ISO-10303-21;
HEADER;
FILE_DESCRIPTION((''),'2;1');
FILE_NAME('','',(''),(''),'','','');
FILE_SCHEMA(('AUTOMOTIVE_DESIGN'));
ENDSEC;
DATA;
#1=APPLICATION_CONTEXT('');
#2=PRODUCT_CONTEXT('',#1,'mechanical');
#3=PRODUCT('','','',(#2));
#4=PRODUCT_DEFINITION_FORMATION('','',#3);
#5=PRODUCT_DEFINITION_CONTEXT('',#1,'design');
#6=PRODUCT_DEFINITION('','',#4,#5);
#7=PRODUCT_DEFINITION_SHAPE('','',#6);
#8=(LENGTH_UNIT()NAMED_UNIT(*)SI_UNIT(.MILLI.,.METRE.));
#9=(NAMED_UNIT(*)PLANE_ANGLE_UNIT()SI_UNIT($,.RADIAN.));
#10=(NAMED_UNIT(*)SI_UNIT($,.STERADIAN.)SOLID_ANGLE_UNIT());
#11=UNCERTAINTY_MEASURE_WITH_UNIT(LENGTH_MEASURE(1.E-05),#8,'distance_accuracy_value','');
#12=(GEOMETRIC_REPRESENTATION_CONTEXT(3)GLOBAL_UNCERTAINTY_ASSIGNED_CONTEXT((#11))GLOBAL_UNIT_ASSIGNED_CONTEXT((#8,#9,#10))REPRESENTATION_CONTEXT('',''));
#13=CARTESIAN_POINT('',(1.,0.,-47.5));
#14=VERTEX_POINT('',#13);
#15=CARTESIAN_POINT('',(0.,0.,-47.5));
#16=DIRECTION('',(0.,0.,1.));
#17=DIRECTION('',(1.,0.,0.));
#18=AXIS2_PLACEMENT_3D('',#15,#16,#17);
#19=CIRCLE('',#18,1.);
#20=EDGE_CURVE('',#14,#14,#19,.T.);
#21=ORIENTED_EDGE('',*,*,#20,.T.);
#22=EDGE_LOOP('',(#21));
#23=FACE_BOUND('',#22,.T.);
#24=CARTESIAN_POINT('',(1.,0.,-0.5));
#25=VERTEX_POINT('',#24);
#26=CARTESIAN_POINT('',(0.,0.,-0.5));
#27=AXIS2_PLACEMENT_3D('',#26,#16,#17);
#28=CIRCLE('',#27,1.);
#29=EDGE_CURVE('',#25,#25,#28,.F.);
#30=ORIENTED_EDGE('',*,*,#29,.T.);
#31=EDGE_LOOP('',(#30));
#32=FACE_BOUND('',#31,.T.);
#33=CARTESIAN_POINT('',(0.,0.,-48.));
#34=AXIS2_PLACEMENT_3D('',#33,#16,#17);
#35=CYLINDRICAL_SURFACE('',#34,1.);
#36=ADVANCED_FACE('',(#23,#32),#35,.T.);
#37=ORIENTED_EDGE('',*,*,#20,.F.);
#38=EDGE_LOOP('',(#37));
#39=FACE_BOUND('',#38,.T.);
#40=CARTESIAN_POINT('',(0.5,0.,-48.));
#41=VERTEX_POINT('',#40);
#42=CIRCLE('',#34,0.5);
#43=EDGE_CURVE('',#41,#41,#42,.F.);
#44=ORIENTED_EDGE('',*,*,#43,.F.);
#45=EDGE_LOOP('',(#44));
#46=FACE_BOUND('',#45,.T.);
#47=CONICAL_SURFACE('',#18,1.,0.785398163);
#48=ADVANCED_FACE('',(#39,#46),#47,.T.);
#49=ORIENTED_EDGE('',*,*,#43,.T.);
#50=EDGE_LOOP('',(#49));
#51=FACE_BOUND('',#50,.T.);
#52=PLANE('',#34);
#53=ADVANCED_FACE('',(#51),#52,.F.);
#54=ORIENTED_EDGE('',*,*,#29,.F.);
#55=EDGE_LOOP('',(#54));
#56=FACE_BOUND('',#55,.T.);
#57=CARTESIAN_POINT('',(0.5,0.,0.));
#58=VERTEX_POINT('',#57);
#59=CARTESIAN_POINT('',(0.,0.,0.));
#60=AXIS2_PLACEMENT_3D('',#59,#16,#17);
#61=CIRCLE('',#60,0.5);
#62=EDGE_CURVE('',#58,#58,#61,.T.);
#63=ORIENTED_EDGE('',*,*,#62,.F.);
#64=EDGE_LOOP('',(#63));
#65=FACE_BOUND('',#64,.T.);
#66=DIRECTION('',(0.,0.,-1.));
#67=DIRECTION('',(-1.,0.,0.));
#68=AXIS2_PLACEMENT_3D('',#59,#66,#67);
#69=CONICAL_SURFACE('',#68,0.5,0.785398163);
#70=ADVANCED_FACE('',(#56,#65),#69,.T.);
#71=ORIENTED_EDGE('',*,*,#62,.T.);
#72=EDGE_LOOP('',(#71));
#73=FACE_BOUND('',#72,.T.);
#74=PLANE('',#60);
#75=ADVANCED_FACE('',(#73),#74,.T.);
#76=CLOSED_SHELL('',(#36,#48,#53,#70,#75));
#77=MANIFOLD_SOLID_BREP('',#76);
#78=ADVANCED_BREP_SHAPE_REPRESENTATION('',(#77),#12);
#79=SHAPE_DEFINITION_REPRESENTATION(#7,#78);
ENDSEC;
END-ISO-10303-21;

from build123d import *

# Parameters (mm, degrees)
SKETCH1_R           = 1
BOSS_EXTRUDE1_DEPTH = 48
CHAMFER1_SIZE       = 0.5


with BuildPart() as part:
    # Sketch1 → Boss-Extrude1 (new body)
    with BuildSketch(Plane.XY):
        Circle(SKETCH1_R)
    extrude(amount=-BOSS_EXTRUDE1_DEPTH)

    # Chamfer1
    chamfer1_edges = [part.edges().sort_by_distance(p)[0] for p in [
        (-1, 0, 0),
        (-1, 0, -48),
    ]]
    chamfer(chamfer1_edges, length=CHAMFER1_SIZE)


solid = part.part
